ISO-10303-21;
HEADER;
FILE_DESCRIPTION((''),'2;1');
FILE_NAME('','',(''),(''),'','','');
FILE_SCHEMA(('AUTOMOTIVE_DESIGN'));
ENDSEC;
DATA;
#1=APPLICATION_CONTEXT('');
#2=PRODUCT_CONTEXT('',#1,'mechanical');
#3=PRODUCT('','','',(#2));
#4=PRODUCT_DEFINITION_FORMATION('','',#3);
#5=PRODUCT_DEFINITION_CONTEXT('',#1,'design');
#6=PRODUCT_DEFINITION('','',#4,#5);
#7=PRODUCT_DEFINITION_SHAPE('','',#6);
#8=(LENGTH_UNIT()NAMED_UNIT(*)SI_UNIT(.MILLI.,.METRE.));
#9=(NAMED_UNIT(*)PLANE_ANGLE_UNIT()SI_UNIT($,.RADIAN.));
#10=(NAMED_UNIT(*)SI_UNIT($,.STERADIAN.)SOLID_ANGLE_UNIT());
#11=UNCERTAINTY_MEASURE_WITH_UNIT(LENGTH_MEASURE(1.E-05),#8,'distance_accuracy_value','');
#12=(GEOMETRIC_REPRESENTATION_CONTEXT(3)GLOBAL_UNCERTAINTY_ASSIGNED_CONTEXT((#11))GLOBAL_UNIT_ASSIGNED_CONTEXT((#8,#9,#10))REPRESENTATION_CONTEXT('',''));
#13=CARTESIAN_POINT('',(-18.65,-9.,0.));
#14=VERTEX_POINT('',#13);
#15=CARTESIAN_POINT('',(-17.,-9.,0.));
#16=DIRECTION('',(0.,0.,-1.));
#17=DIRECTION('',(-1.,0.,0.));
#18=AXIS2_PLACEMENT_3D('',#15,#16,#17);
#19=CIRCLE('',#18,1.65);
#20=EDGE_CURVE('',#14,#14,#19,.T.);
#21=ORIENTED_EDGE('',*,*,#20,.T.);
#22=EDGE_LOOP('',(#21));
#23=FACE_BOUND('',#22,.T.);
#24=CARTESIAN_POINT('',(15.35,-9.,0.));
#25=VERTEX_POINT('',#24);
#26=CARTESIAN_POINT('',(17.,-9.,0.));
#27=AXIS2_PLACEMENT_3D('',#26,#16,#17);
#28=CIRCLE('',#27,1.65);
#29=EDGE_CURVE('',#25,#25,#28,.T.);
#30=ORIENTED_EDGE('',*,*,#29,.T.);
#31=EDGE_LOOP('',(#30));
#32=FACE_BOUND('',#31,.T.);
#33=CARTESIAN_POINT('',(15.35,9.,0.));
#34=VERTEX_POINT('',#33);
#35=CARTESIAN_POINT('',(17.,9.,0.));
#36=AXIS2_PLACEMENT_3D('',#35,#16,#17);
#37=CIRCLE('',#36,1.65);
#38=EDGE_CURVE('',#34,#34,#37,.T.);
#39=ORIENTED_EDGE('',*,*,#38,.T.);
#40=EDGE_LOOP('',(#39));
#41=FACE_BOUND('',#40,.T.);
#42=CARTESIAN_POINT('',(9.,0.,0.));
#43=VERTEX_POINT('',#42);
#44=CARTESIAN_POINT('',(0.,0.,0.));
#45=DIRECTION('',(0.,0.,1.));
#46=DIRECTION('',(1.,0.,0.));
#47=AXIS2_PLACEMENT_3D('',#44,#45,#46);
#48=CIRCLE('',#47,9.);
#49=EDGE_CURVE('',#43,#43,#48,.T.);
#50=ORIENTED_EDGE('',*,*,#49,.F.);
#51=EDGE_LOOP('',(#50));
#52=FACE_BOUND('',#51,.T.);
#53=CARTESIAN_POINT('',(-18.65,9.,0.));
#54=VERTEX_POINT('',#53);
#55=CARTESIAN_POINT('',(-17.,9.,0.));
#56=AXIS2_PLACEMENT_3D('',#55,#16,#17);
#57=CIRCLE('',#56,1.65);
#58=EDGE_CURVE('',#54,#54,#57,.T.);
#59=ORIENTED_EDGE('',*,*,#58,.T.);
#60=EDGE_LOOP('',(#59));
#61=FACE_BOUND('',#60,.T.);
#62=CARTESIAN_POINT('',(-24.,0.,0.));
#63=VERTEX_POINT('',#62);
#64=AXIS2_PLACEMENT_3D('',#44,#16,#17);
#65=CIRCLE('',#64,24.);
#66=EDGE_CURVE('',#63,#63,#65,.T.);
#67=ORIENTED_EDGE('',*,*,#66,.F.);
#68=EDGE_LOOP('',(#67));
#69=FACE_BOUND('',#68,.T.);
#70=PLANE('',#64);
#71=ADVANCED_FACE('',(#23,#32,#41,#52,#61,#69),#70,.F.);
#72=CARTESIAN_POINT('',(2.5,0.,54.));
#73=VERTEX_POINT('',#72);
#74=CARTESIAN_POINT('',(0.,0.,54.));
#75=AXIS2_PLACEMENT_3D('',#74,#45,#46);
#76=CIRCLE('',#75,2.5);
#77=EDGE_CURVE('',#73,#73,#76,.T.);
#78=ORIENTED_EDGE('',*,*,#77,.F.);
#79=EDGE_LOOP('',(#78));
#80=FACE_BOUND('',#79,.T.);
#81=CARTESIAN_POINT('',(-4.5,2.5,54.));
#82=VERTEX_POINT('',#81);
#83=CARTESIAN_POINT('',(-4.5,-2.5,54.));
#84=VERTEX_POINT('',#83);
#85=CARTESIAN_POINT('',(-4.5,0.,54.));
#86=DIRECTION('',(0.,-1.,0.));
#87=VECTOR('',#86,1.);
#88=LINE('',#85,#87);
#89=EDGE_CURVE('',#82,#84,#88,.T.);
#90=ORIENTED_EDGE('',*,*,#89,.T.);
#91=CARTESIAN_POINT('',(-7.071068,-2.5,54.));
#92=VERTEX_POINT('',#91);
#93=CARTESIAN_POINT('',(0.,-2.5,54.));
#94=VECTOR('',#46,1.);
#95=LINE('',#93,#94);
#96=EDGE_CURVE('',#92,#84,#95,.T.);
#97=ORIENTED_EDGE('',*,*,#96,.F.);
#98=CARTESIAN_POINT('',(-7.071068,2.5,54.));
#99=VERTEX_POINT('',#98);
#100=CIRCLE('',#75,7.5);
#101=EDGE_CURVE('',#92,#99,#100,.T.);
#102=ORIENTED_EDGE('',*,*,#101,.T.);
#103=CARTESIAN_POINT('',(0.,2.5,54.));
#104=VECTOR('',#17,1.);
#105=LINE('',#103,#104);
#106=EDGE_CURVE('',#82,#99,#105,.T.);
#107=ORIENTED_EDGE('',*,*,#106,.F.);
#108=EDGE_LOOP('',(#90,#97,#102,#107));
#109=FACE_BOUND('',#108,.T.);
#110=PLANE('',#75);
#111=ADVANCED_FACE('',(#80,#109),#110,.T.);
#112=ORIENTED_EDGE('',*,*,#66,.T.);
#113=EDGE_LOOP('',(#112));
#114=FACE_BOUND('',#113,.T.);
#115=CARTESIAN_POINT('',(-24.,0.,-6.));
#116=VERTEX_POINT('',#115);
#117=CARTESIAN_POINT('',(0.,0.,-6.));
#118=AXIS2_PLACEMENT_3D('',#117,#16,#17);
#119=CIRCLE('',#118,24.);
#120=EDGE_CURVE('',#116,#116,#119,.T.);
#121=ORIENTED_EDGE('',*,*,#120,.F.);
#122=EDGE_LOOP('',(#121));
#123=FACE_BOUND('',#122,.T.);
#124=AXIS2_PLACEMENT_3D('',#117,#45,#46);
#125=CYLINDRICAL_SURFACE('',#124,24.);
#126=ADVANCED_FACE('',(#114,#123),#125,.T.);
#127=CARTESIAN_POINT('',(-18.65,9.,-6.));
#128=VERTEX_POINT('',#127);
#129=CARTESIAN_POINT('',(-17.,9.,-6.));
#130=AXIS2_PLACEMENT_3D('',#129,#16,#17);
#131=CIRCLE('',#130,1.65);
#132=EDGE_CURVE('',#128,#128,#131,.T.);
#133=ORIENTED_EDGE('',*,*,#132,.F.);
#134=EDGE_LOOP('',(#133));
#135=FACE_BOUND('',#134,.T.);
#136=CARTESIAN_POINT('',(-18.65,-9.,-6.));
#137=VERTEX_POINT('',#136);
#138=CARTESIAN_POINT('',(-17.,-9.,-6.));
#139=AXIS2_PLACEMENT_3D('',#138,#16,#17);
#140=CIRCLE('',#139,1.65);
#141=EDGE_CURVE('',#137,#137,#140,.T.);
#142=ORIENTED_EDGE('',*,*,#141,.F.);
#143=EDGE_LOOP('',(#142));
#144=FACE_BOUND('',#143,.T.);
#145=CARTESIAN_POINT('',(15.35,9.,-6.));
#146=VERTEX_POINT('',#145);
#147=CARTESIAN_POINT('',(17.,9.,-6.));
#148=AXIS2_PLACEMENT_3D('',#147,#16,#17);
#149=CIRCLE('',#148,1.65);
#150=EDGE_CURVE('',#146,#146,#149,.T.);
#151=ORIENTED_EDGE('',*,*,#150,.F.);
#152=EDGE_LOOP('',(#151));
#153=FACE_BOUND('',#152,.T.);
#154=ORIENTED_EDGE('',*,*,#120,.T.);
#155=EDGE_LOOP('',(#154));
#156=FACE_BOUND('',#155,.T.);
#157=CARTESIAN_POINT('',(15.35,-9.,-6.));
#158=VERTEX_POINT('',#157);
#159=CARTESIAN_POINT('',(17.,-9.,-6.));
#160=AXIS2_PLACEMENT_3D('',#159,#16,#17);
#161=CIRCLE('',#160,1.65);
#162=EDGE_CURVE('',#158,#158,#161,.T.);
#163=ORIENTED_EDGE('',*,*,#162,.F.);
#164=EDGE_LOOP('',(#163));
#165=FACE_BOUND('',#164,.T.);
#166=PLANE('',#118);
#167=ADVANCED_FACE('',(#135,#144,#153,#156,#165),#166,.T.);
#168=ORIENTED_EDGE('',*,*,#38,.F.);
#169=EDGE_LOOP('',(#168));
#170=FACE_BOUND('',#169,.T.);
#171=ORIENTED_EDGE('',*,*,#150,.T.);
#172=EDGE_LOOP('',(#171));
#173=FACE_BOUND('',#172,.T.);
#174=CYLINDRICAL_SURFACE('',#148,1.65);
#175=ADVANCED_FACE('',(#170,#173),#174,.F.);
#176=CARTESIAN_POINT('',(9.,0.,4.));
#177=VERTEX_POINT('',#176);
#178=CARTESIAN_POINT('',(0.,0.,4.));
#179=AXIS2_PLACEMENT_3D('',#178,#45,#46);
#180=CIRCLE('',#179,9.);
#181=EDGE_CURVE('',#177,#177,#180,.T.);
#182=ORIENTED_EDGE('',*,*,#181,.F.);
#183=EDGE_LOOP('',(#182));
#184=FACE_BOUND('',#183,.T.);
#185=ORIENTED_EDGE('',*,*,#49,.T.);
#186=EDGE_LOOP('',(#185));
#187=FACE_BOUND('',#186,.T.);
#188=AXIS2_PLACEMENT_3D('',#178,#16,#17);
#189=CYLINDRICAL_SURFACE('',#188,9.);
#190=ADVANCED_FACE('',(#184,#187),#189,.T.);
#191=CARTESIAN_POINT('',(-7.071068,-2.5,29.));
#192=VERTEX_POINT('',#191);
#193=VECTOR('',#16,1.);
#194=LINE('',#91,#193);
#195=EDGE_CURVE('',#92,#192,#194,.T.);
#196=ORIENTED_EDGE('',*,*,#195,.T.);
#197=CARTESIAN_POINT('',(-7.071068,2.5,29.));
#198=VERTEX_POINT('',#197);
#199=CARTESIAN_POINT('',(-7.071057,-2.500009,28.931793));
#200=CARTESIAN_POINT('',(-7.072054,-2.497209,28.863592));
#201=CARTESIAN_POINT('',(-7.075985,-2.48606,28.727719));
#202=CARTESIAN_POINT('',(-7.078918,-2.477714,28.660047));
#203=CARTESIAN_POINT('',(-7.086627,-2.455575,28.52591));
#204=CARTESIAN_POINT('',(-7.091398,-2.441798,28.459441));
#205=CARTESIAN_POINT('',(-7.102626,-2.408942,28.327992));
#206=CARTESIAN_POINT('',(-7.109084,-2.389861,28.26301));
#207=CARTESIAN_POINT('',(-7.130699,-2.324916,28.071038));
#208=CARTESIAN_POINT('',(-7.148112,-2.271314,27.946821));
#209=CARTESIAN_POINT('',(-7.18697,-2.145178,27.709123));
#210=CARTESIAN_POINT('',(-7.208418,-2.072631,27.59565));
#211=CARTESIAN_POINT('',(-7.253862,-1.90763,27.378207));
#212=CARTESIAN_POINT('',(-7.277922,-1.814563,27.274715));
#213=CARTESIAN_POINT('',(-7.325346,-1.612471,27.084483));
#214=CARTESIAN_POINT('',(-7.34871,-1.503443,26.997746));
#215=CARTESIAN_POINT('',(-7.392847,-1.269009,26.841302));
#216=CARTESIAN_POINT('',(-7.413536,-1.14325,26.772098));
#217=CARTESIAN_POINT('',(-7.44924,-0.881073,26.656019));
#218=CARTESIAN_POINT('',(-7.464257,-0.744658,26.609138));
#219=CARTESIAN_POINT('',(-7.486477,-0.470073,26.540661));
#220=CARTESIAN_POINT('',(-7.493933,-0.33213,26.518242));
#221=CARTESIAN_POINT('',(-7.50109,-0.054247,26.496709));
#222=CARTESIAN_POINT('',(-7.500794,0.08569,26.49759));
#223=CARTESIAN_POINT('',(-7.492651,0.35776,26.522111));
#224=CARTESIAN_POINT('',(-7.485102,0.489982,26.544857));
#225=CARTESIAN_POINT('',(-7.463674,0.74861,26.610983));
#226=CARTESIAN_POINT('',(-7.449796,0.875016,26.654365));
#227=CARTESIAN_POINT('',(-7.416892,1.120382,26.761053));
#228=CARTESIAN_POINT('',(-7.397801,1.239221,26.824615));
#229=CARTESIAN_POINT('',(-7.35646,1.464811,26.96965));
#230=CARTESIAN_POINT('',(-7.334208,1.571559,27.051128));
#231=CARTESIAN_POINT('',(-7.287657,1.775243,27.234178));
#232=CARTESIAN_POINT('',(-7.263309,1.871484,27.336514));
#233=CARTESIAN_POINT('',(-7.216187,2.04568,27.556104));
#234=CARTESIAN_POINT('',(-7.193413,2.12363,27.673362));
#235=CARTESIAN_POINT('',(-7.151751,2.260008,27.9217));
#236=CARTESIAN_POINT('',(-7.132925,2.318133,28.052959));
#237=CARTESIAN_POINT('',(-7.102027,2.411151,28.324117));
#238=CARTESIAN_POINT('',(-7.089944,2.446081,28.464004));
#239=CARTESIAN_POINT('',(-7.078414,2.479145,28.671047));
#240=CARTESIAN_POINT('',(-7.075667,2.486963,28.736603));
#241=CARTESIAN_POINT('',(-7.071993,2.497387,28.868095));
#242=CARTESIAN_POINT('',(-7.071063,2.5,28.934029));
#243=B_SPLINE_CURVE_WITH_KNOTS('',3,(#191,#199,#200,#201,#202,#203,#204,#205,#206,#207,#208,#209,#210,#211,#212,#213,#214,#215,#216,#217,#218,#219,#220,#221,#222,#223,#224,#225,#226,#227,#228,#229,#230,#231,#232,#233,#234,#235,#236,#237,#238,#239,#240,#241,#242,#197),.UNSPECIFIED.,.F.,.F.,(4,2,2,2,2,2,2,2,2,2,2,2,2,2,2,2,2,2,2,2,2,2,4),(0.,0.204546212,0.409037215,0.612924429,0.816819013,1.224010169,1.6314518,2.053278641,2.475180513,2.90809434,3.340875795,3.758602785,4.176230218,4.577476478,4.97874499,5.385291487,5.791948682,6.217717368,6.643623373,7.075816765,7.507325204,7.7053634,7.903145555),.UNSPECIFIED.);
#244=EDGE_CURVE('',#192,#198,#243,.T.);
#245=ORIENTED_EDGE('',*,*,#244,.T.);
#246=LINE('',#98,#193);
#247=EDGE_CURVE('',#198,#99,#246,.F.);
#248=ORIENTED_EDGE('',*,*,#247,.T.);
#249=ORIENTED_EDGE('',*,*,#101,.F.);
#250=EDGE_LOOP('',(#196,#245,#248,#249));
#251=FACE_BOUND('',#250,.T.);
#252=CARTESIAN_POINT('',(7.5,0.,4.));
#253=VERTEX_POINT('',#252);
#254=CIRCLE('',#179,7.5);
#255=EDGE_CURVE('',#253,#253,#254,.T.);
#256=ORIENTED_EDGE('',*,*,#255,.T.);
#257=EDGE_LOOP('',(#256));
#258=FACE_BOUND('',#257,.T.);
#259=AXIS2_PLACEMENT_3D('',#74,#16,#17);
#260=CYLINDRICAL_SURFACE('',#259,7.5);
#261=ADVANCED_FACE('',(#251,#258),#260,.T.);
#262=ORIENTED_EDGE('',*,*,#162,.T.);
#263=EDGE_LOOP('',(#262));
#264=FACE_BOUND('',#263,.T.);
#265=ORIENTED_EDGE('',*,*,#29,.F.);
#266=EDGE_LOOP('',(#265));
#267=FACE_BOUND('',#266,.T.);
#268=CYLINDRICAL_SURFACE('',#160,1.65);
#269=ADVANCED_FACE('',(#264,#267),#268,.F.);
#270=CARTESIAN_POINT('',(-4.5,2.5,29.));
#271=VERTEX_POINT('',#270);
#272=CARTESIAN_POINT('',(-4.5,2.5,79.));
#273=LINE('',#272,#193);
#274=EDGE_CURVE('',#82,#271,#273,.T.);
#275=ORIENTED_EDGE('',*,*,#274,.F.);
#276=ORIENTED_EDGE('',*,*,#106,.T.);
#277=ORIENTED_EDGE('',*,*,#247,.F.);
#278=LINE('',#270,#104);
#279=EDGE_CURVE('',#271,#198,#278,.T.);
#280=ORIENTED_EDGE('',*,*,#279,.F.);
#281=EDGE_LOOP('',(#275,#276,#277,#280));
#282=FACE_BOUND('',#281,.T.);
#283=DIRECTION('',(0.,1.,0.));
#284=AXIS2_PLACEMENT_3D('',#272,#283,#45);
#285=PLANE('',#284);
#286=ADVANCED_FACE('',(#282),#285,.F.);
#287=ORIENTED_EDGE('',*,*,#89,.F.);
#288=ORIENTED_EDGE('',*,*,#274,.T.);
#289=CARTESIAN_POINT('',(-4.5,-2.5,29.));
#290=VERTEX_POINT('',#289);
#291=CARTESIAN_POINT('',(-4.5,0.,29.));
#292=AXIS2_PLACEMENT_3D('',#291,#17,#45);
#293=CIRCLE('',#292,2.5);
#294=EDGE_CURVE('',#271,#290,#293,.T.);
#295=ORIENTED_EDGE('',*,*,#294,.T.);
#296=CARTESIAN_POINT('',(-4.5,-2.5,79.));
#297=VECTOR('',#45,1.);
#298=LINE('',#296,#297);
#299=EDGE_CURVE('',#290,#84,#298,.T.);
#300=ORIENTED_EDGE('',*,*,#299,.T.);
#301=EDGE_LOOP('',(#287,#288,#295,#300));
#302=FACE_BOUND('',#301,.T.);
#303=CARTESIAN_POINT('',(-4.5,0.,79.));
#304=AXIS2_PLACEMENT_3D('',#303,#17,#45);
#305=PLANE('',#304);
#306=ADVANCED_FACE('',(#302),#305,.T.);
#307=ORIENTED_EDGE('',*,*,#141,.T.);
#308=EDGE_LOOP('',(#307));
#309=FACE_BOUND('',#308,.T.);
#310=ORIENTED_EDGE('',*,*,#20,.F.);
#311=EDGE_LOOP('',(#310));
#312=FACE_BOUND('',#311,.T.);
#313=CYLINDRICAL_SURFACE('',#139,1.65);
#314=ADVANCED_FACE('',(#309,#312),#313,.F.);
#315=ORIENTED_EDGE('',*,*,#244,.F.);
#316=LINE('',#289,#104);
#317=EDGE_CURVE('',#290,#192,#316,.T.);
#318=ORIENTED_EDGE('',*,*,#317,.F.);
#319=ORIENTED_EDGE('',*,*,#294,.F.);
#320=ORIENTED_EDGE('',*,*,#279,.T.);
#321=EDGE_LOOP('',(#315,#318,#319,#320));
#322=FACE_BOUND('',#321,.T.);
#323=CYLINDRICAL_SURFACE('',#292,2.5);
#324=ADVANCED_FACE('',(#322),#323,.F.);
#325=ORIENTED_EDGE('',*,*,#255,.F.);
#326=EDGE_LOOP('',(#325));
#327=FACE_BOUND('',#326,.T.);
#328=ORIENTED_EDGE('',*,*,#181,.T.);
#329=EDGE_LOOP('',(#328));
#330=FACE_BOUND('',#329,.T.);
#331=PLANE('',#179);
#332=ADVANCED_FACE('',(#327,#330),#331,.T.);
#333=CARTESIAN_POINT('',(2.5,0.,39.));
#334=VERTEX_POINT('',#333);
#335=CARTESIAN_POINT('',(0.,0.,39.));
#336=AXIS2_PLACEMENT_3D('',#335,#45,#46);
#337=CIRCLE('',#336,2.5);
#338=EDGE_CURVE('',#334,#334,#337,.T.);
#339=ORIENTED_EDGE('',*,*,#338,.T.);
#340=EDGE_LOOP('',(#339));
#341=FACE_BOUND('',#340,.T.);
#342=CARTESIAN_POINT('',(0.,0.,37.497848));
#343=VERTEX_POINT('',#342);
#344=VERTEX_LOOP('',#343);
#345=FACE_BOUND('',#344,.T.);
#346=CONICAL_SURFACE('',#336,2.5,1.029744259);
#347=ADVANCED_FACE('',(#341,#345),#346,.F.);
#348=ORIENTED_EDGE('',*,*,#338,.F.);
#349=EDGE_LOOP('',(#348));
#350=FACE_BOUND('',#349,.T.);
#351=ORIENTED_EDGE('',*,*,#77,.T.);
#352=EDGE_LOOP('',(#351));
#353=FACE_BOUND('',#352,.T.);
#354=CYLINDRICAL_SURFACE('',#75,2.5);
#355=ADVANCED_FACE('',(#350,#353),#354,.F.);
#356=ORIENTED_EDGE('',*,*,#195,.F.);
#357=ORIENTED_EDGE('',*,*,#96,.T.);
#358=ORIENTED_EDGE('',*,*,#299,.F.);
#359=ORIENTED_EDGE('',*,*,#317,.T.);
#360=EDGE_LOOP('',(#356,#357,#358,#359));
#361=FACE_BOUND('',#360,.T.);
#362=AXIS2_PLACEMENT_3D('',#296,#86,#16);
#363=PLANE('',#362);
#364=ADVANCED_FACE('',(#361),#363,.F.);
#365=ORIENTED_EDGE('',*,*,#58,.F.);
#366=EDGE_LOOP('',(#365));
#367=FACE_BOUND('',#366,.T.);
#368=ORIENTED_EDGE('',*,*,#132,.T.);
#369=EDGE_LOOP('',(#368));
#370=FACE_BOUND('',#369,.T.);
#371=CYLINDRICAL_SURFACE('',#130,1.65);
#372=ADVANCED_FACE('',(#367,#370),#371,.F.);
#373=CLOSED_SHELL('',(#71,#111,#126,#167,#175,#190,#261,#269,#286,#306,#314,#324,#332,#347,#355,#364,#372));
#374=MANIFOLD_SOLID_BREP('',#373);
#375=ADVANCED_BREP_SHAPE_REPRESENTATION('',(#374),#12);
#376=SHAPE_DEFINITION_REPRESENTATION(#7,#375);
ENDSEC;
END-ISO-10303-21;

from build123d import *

# Parameters (mm, degrees)
ESQUISSE1_R                                   = 9
BOSS_EXTRU_1_DEPTH                            = 4
ESQUISSE2_R                                   = 24
BOSS_EXTRU_2_DEPTH                            = 6
ESQUISSE7_R                                   = 7.5
BOSS_EXTRU_3_DEPTH                            = 50
TROU_POUR_TARAUDAGE_POUR_TROU_TARAUD_M4_D     = 3.3
TROU_POUR_TARAUDAGE_POUR_TROU_TARAUD_M4_DEPTH = 6
TROU_POUR_TARAUDAGE_POUR_TROU_TARAUD_M4_TIP   = 0.991420021
ENL_V_MAT_EXTRU_1_DEPTH                       = 3
TROU_POUR_TARAUDAGE_POUR_TROU_TARAUD_M6_D     = 5
TROU_POUR_TARAUDAGE_POUR_TROU_TARAUD_M6_DEPTH = 15
TROU_POUR_TARAUDAGE_POUR_TROU_TARAUD_M6_TIP   = 1.502151548


with BuildPart() as part:
    # Esquisse1 → Boss.-Extru.1 (new body)
    with BuildSketch(Plane.XY):
        Circle(ESQUISSE1_R)
    extrude(amount=BOSS_EXTRU_1_DEPTH)

    # Esquisse2 → Boss.-Extru.2 (add)
    with BuildSketch(Plane(origin=(0, 0, 0), x_dir=(-1, 0, 0), z_dir=(0, 0, -1))):
        Circle(ESQUISSE2_R)
    extrude(amount=BOSS_EXTRU_2_DEPTH)

    # Esquisse7 → Boss.-Extru.3 (add)
    with BuildSketch(Plane.XY.offset(4)):
        Circle(ESQUISSE7_R)
    extrude(amount=BOSS_EXTRU_3_DEPTH)

    # Trou pour taraudage pour trou taraudé M42
    with Locations(Plane(origin=(0, 0, -6), x_dir=(-1, 0, 0), z_dir=(0, 0, -1))):
        with Locations((-17, 9), (17, -9), (17, 9), (-17, -9)):
            Hole(TROU_POUR_TARAUDAGE_POUR_TROU_TARAUD_M4_D / 2, depth=TROU_POUR_TARAUDAGE_POUR_TROU_TARAUD_M4_DEPTH)
            with Locations((0, 0, -(TROU_POUR_TARAUDAGE_POUR_TROU_TARAUD_M4_DEPTH + TROU_POUR_TARAUDAGE_POUR_TROU_TARAUD_M4_TIP / 2))):  # 118° drill point
                Cone(0, TROU_POUR_TARAUDAGE_POUR_TROU_TARAUD_M4_D / 2, TROU_POUR_TARAUDAGE_POUR_TROU_TARAUD_M4_TIP, mode=Mode.SUBTRACT)

    # Esquisse10 → Enlèv. mat.-Extru.1 (cut)
    with BuildSketch(Plane.ZY.offset(7.5)):
        with BuildLine():
            Line((79, -2.5), (29, -2.5))
            ThreePointArc((29, -2.5), (26.5, 0), (29, 2.5))
            Line((29, 2.5), (79, 2.5))
            ThreePointArc((79, 2.5), (81.5, 0), (79, -2.5))
        make_face()
    extrude(amount=-ENL_V_MAT_EXTRU_1_DEPTH, mode=Mode.SUBTRACT)

    # Trou pour taraudage pour trou taraudé M61
    with Locations(Plane.XY.offset(54)):
        with Locations((0, 0)):
            Hole(TROU_POUR_TARAUDAGE_POUR_TROU_TARAUD_M6_D / 2, depth=TROU_POUR_TARAUDAGE_POUR_TROU_TARAUD_M6_DEPTH)
            with Locations((0, 0, -(TROU_POUR_TARAUDAGE_POUR_TROU_TARAUD_M6_DEPTH + TROU_POUR_TARAUDAGE_POUR_TROU_TARAUD_M6_TIP / 2))):  # 118° drill point
                Cone(0, TROU_POUR_TARAUDAGE_POUR_TROU_TARAUD_M6_D / 2, TROU_POUR_TARAUDAGE_POUR_TROU_TARAUD_M6_TIP, mode=Mode.SUBTRACT)


solid = part.part
